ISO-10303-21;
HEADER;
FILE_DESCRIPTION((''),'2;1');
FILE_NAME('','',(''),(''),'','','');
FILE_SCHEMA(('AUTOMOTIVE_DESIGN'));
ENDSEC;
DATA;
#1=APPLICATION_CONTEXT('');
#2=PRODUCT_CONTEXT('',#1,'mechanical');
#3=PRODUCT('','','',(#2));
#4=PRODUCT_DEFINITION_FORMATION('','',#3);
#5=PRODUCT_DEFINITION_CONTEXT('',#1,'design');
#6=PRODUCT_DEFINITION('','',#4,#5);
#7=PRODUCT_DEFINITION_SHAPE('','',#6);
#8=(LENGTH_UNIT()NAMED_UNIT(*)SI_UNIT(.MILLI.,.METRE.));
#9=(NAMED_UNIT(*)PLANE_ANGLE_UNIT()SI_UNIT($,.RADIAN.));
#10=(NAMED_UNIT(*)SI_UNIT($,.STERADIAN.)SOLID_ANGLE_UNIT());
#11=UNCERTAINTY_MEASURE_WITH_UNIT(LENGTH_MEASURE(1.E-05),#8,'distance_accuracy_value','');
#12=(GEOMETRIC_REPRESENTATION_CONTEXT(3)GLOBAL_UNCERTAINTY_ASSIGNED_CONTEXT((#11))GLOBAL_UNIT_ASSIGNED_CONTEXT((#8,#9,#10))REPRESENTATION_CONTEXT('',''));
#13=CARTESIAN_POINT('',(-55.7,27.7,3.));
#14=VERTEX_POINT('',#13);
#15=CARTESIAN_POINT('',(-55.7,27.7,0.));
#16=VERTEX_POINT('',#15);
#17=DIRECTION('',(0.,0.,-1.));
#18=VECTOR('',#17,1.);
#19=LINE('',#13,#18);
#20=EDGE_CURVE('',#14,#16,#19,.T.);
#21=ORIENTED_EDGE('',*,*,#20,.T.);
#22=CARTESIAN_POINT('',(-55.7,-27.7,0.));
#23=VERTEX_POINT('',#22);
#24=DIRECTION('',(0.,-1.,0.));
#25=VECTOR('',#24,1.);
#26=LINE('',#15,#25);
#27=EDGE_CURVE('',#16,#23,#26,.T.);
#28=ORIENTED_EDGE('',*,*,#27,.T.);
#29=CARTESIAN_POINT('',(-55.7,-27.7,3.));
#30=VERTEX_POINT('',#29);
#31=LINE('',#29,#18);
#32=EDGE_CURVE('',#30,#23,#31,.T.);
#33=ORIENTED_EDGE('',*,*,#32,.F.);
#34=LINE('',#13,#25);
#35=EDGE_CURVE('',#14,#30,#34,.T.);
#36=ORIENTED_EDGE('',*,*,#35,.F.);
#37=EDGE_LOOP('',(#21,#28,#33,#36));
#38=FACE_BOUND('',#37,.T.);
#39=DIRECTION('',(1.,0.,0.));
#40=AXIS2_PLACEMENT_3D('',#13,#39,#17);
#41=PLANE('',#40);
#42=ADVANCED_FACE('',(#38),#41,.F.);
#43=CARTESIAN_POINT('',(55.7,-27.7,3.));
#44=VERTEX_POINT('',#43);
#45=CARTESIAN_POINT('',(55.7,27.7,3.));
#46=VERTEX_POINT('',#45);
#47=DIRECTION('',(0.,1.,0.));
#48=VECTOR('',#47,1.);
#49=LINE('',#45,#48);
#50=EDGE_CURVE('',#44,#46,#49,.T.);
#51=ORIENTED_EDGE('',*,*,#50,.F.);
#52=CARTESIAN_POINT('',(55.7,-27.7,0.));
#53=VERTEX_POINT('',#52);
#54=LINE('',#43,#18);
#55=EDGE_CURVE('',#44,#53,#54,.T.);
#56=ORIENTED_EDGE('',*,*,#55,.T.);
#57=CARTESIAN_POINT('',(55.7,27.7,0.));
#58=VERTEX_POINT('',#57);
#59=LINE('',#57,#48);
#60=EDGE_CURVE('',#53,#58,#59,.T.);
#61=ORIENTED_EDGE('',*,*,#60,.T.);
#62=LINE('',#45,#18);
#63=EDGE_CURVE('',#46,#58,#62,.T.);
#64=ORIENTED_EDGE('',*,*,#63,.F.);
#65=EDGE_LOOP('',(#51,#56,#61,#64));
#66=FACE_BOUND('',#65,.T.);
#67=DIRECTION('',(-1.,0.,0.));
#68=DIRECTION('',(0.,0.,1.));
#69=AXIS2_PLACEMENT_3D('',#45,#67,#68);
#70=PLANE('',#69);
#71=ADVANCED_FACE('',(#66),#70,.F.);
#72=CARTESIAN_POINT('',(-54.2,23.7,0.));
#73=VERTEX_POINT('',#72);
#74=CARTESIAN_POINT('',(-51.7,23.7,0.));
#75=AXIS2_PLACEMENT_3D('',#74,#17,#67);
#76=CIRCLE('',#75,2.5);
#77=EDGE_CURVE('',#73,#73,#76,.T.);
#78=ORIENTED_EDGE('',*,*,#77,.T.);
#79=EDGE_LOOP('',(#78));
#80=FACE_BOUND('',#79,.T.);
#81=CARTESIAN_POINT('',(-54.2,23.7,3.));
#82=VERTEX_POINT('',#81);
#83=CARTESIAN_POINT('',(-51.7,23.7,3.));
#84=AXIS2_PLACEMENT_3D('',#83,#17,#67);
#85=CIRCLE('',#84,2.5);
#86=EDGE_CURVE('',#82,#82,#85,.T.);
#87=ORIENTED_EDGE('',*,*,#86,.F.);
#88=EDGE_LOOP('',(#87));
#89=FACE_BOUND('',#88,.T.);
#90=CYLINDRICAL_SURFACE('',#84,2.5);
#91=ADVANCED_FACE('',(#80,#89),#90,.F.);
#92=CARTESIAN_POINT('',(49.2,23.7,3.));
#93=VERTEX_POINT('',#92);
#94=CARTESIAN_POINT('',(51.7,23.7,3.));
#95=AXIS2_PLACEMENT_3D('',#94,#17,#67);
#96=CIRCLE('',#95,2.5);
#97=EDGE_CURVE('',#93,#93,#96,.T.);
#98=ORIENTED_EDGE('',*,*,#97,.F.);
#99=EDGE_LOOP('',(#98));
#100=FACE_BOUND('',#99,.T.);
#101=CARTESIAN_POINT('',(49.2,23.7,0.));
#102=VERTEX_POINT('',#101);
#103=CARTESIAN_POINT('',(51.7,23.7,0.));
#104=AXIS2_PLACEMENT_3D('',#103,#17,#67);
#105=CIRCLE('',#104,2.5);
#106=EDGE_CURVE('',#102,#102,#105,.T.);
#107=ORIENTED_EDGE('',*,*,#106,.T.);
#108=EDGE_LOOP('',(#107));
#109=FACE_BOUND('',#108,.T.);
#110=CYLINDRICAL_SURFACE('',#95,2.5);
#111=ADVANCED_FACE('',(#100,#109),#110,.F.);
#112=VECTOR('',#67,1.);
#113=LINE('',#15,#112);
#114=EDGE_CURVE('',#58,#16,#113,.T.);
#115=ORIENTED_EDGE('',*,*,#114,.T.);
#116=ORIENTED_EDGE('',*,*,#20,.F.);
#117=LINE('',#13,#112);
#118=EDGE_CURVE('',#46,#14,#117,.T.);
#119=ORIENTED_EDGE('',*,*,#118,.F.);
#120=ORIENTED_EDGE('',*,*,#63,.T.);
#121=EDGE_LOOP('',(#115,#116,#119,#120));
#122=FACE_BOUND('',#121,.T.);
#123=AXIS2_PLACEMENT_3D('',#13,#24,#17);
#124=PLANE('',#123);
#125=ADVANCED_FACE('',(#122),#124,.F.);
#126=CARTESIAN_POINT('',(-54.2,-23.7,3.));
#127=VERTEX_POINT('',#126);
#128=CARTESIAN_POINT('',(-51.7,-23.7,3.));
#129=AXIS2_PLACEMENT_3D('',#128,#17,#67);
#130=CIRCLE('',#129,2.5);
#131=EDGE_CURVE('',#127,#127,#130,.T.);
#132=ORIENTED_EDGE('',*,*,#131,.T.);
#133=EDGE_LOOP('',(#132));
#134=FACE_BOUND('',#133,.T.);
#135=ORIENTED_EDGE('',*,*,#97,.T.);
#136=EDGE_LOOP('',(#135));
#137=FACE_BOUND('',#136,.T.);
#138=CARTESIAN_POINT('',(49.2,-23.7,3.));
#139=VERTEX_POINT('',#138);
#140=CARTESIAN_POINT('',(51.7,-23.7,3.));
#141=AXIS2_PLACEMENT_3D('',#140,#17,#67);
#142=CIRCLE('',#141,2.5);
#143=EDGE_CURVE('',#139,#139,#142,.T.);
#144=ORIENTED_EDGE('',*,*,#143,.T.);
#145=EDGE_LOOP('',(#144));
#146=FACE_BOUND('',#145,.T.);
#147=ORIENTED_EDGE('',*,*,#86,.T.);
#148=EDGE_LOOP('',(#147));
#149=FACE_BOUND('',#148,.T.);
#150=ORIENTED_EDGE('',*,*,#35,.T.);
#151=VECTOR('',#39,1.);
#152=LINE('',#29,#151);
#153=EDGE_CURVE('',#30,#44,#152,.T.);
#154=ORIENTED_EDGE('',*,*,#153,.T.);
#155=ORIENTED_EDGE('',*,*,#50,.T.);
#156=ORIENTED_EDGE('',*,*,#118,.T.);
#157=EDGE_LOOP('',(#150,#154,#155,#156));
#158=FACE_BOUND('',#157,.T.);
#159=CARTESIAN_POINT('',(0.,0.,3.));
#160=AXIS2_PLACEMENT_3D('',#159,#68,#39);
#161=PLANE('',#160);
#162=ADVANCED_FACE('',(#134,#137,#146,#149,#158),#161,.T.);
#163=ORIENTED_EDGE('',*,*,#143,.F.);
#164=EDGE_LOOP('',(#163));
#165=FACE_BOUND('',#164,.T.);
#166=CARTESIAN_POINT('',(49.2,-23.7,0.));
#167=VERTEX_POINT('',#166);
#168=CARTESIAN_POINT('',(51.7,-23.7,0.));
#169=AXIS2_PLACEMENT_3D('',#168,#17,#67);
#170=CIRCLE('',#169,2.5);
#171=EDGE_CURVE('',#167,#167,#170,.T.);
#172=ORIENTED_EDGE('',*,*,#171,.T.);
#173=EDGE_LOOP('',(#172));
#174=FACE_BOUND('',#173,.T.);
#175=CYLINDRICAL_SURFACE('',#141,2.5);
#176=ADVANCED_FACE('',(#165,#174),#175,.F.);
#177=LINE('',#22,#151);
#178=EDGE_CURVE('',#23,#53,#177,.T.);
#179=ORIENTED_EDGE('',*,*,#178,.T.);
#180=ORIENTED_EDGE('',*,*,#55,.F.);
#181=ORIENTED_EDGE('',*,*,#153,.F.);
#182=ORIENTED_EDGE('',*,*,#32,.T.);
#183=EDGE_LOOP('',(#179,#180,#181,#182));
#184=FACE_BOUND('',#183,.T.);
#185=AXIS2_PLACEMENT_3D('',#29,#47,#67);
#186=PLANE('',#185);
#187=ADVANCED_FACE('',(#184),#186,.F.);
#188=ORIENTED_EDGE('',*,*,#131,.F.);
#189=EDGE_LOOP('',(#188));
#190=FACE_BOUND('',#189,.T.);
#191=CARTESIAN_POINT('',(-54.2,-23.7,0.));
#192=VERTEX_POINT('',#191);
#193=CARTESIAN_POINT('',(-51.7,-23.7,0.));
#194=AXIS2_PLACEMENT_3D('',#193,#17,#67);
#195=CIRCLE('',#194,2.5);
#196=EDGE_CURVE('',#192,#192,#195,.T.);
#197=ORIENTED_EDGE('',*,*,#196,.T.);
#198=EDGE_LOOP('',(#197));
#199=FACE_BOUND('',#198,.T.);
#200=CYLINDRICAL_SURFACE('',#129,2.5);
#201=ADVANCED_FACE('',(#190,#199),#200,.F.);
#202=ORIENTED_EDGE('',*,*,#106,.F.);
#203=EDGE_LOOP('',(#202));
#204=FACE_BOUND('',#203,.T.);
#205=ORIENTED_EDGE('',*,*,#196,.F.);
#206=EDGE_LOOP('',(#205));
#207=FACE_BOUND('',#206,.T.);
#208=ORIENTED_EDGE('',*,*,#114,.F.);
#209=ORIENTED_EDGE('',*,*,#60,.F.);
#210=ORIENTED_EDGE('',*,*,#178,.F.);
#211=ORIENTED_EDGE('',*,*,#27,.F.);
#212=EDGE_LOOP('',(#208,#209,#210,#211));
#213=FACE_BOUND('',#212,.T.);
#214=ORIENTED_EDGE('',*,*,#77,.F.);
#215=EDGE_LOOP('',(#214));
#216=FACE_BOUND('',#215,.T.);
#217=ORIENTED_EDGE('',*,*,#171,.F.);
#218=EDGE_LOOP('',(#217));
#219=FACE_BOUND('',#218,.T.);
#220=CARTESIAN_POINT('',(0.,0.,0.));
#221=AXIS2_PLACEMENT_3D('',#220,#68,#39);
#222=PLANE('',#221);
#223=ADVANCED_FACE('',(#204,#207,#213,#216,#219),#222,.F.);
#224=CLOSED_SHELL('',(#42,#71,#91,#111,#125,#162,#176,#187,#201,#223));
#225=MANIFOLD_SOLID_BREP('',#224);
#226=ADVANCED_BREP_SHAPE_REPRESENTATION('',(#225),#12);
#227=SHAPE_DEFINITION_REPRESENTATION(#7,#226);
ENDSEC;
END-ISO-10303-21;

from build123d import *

# Parameters (mm, degrees)
SKETCH_1_W          = 111.4
SKETCH_1_H          = 55.4
EXTRUDE_1_DEPTH     = 3
SKETCH_2_R          = 2.5
CUT_EXTRUDE_1_DEPTH = 63.27985228


with BuildPart() as part:
    # 草图1 → 凸台-拉伸1 (new body)
    with BuildSketch(Plane.XY):
        Rectangle(SKETCH_1_W, SKETCH_1_H)
    extrude(amount=EXTRUDE_1_DEPTH)

    # 草图2 → 切除-拉伸1 (cut, through all)
    with BuildSketch(Plane(origin=(0, 0, 0), x_dir=(-1, 0, 0), z_dir=(0, 0, -1))):
        with Locations((-51.7, 23.7)):
            Circle(SKETCH_2_R)
        with Locations((-51.7, -23.7)):
            Circle(SKETCH_2_R)
        with Locations((51.7, -23.7)):
            Circle(SKETCH_2_R)
        with Locations((51.7, 23.7)):
            Circle(SKETCH_2_R)
    extrude(amount=-CUT_EXTRUDE_1_DEPTH, mode=Mode.SUBTRACT)


solid = part.part
